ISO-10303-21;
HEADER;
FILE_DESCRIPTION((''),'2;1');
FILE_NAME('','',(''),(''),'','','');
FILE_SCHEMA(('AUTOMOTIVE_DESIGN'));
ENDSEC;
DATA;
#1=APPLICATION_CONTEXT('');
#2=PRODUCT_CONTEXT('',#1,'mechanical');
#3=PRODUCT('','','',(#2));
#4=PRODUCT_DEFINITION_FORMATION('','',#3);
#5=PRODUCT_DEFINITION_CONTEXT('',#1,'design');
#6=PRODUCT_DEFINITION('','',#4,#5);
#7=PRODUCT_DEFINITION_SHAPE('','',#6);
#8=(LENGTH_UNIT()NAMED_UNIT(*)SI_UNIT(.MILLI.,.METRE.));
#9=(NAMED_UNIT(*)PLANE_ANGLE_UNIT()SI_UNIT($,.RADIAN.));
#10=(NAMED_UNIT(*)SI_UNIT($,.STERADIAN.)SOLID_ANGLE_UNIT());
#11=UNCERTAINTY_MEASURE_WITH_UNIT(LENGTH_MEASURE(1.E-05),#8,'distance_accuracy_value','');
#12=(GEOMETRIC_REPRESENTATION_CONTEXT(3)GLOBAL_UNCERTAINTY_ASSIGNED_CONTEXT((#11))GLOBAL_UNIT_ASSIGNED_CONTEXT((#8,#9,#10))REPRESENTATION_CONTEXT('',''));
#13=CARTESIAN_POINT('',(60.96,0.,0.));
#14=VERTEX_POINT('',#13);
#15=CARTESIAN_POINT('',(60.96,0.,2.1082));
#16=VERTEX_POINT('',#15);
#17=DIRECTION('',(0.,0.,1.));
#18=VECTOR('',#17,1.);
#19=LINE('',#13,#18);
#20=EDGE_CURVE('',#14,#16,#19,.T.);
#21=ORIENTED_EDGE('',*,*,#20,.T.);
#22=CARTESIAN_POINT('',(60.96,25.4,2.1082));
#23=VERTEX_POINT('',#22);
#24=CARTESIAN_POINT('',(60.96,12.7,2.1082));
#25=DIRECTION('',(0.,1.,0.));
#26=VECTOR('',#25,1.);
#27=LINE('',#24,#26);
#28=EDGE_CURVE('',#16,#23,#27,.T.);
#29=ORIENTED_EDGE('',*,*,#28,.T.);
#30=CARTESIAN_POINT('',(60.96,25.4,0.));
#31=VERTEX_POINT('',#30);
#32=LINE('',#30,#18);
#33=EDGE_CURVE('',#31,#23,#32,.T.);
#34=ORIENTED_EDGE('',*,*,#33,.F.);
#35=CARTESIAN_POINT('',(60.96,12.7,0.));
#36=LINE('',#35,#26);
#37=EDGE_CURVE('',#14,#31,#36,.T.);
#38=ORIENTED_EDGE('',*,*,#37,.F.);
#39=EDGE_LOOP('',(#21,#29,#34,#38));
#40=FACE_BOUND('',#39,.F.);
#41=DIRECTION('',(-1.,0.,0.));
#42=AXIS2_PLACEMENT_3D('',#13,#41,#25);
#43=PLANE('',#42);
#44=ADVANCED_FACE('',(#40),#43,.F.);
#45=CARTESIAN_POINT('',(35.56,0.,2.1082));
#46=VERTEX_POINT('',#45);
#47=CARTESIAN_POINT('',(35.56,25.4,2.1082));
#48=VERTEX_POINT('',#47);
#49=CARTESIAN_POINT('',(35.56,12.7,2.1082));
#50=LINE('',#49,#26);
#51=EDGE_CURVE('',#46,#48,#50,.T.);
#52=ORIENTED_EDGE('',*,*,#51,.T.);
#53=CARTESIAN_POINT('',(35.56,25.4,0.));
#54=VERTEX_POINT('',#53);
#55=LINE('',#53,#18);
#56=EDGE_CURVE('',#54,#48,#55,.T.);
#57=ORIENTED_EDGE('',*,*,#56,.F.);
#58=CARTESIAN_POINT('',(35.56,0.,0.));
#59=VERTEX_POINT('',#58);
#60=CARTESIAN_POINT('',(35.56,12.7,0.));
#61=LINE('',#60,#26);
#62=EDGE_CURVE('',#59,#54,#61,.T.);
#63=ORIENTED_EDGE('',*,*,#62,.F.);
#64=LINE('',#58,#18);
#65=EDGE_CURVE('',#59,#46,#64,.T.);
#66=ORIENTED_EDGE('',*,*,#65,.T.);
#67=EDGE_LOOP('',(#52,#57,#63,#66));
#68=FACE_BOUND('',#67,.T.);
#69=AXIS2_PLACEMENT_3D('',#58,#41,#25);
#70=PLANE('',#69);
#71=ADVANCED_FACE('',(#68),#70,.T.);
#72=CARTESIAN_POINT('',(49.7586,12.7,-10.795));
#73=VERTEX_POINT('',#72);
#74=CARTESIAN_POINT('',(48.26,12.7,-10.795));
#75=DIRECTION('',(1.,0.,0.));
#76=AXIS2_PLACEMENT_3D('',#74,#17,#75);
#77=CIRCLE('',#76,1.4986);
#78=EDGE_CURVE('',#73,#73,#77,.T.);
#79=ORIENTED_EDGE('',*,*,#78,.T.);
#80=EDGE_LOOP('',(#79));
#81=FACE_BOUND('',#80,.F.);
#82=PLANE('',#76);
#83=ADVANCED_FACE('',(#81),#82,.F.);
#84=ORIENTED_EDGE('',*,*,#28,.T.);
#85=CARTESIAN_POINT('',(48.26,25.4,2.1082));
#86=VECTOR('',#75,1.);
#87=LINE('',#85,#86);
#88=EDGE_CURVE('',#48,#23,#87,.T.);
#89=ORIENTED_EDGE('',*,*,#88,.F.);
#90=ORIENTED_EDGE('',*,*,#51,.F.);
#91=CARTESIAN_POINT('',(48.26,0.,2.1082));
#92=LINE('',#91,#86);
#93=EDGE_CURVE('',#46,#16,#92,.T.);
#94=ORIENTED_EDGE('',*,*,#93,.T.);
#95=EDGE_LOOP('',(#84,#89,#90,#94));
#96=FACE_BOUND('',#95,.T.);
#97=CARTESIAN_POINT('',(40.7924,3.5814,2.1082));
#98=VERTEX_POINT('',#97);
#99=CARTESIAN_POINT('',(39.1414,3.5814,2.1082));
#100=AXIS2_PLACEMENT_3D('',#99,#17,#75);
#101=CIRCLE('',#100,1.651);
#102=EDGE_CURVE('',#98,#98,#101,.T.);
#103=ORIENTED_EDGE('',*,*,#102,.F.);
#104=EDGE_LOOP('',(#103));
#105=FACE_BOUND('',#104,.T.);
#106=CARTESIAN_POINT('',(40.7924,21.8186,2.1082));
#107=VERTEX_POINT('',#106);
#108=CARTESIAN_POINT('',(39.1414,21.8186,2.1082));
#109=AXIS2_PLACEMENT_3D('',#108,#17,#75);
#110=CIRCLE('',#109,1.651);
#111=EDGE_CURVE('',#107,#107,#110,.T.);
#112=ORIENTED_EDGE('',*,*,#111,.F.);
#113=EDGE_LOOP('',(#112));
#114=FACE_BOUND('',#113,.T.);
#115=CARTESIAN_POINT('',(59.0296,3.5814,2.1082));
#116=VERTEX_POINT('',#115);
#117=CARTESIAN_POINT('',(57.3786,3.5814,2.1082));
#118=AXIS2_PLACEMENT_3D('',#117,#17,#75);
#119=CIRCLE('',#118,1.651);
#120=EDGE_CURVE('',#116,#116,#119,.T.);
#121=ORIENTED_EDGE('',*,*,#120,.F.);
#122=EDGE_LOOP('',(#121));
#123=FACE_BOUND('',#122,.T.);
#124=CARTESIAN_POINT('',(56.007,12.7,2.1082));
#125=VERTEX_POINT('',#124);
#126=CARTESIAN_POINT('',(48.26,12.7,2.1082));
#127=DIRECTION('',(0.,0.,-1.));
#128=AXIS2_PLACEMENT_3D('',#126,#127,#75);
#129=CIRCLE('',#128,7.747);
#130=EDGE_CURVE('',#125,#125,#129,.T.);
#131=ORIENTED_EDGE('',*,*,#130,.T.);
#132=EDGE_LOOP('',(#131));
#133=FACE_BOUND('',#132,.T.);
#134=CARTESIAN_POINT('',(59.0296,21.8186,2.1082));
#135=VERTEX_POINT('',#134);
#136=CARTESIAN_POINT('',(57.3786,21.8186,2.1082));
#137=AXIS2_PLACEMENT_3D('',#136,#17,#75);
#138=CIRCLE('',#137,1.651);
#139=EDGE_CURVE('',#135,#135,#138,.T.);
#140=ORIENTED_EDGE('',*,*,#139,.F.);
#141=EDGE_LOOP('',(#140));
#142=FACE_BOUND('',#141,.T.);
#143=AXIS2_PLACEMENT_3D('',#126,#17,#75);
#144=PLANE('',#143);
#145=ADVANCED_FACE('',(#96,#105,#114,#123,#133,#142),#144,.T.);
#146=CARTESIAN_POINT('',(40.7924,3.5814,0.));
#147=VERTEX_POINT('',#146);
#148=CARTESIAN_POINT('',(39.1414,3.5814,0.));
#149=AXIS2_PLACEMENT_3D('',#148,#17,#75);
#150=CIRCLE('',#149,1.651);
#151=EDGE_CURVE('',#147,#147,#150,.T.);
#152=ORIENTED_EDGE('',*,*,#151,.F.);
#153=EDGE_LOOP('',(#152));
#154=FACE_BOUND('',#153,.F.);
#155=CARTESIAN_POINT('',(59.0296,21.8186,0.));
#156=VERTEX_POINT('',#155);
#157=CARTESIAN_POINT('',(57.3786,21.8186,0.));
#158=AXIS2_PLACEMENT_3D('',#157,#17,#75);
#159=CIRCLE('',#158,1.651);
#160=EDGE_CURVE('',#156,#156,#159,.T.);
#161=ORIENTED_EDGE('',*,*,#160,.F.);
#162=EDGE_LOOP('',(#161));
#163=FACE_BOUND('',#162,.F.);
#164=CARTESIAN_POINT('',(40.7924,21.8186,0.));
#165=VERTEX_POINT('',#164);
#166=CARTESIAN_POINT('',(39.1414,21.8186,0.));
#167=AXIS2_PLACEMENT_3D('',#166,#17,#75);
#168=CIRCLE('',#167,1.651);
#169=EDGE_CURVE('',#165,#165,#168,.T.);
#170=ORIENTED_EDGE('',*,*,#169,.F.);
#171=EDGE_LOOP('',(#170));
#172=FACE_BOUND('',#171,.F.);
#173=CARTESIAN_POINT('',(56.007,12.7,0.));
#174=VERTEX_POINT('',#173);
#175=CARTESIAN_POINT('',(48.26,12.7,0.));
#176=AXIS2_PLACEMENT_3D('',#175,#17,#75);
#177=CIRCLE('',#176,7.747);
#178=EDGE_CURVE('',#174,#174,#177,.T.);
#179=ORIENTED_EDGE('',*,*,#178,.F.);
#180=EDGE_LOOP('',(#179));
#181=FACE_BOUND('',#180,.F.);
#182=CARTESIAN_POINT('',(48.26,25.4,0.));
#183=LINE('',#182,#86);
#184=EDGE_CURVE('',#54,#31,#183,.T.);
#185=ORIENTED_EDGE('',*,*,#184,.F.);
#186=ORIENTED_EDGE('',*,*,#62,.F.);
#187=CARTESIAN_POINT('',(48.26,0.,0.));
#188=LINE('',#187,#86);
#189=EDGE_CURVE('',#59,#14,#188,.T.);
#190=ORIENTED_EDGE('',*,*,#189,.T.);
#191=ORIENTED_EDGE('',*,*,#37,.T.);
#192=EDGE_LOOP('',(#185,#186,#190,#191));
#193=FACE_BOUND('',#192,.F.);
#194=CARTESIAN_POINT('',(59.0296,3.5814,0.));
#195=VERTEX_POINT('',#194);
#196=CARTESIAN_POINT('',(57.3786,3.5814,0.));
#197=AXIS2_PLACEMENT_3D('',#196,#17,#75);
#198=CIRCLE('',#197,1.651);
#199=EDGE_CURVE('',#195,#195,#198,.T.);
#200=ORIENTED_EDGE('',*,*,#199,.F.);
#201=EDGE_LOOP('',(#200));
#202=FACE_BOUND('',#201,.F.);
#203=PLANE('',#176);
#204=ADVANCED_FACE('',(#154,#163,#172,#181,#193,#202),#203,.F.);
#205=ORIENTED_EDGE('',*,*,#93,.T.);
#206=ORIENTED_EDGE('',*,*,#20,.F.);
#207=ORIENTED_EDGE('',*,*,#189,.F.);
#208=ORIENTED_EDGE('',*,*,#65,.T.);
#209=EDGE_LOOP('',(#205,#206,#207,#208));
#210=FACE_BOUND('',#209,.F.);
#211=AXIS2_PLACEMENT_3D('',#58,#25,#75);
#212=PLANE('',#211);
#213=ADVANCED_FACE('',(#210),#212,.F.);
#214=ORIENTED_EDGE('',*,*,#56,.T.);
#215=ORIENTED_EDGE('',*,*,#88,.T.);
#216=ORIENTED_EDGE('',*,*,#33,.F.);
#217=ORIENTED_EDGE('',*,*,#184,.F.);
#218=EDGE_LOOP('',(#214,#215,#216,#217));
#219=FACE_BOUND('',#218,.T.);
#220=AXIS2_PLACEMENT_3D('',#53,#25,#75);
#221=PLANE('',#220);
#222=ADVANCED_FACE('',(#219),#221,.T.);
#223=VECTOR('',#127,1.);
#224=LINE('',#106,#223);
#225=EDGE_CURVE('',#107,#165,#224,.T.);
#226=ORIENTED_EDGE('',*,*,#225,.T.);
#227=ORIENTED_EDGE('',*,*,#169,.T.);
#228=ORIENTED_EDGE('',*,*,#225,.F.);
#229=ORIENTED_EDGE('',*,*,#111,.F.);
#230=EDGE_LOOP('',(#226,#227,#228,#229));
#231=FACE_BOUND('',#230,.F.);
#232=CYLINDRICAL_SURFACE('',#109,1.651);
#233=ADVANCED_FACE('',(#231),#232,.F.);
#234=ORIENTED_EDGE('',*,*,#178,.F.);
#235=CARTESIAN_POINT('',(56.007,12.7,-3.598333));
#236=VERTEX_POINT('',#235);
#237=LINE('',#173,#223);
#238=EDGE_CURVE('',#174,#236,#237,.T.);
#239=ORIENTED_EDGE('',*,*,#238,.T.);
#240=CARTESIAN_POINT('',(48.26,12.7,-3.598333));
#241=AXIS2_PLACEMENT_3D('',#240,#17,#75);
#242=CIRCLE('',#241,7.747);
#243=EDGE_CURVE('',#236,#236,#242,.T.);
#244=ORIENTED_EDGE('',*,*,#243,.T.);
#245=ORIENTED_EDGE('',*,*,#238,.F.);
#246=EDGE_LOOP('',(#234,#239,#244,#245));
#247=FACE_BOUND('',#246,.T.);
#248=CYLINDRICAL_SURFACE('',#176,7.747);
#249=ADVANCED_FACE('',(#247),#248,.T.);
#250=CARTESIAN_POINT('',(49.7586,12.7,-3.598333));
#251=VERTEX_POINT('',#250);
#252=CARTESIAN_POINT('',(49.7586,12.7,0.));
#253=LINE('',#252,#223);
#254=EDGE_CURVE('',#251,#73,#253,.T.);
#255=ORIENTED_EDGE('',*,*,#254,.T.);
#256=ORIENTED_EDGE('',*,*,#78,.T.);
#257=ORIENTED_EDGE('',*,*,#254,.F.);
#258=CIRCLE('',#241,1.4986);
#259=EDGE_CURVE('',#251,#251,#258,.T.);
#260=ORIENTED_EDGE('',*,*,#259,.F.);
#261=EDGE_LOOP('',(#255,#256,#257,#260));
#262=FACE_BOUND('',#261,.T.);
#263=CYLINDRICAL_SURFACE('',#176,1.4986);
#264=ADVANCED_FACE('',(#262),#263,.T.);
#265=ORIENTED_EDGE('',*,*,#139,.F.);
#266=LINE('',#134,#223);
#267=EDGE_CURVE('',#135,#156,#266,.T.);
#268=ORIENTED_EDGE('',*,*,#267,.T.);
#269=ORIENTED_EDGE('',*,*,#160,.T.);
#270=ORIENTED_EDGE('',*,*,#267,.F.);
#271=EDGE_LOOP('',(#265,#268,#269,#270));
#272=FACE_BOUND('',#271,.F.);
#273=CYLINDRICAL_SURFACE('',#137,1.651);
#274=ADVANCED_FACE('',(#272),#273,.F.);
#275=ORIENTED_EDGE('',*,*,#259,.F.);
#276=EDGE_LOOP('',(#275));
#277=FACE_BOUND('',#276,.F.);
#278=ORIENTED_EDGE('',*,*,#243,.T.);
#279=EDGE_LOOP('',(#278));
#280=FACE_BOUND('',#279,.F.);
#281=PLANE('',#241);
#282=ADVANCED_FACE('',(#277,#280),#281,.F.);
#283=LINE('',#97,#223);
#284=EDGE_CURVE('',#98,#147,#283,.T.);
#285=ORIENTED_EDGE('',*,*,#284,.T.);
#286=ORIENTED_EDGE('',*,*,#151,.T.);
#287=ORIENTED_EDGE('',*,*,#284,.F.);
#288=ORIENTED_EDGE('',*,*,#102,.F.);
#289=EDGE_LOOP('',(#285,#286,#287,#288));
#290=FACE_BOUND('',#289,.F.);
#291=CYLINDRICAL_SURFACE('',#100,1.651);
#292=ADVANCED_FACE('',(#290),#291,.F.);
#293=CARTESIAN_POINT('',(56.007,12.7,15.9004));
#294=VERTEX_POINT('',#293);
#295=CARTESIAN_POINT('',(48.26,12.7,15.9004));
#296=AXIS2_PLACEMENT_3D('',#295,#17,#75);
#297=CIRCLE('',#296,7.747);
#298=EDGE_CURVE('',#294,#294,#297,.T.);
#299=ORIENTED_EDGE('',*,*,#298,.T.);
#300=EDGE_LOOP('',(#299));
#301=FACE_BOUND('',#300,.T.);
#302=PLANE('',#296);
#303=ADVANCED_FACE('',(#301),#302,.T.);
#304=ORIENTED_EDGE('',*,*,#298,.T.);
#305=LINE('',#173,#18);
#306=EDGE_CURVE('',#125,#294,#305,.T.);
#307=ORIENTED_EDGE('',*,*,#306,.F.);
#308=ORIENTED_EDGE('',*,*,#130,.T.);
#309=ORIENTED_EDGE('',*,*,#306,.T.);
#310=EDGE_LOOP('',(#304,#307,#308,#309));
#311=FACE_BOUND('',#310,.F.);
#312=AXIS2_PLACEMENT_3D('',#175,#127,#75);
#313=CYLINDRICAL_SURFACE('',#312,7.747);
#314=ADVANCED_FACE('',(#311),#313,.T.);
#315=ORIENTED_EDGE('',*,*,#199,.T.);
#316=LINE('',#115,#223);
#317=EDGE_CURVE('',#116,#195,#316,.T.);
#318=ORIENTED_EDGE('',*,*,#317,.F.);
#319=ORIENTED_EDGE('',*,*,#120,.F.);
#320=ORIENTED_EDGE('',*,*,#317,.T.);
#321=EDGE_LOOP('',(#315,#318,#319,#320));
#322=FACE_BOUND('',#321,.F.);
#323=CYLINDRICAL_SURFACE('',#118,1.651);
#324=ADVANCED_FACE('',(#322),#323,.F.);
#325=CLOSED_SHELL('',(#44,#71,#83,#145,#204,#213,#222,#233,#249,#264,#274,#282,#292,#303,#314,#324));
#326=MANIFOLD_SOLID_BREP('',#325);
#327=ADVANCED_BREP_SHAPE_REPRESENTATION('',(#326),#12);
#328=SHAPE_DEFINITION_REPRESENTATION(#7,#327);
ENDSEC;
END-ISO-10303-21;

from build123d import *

# Parameters (mm, degrees)
SKETCH003_W  = 25.4
SKETCH003_H  = 25.4
PAD003_DEPTH = 2.1082
SKETCH004_R  = 1.651
POCKET_DEPTH = 2.1092
SKETCH005_R  = 7.747
PAD004_DEPTH = 15.9004
SKETCH006_R  = 7.747
PAD005_DEPTH = 3.598333
SKETCH007_R  = 1.4986
PAD006_DEPTH = 10.795


with BuildPart() as part:
    # Sketch003 → Pad003 (new body)
    with BuildSketch(Plane.XY):
        with Locations((12.7, 12.7)):
            Rectangle(SKETCH003_W, SKETCH003_H)
    extrude(amount=PAD003_DEPTH)

    # Sketch004 (on Face6 of Pad003) → Pocket (cut, through all)
    with BuildSketch(Plane.XY.offset(2.1082)):
        with Locations((3.5814, 21.8186)):
            Circle(SKETCH004_R)
        with Locations((21.8186, 21.8186)):
            Circle(SKETCH004_R)
        with Locations((21.8186, 3.5814)):
            Circle(SKETCH004_R)
        with Locations((3.5814, 3.5814)):
            Circle(SKETCH004_R)
    extrude(amount=-POCKET_DEPTH, mode=Mode.SUBTRACT)

    # Sketch005 → Pad004 (join)
    with BuildSketch(Plane.XY):
        with Locations((12.7, 12.7)):
            Circle(SKETCH005_R)
    extrude(amount=PAD004_DEPTH)

    # Sketch006 → Pad005 (join)
    with BuildSketch(Plane.XY):
        with Locations((12.7, 12.7)):
            Circle(SKETCH006_R)
    extrude(amount=-PAD005_DEPTH)

    # Sketch007 → Pad006 (join)
    with BuildSketch(Plane.XY):
        with Locations((12.7, 12.7)):
            Circle(SKETCH007_R)
    extrude(amount=-PAD006_DEPTH)


with BuildPart() as part_1:
    # Body001 placement: moved
    add(part.part.moved(Location((35.56, 0, 0))))


solid = part_1.part
